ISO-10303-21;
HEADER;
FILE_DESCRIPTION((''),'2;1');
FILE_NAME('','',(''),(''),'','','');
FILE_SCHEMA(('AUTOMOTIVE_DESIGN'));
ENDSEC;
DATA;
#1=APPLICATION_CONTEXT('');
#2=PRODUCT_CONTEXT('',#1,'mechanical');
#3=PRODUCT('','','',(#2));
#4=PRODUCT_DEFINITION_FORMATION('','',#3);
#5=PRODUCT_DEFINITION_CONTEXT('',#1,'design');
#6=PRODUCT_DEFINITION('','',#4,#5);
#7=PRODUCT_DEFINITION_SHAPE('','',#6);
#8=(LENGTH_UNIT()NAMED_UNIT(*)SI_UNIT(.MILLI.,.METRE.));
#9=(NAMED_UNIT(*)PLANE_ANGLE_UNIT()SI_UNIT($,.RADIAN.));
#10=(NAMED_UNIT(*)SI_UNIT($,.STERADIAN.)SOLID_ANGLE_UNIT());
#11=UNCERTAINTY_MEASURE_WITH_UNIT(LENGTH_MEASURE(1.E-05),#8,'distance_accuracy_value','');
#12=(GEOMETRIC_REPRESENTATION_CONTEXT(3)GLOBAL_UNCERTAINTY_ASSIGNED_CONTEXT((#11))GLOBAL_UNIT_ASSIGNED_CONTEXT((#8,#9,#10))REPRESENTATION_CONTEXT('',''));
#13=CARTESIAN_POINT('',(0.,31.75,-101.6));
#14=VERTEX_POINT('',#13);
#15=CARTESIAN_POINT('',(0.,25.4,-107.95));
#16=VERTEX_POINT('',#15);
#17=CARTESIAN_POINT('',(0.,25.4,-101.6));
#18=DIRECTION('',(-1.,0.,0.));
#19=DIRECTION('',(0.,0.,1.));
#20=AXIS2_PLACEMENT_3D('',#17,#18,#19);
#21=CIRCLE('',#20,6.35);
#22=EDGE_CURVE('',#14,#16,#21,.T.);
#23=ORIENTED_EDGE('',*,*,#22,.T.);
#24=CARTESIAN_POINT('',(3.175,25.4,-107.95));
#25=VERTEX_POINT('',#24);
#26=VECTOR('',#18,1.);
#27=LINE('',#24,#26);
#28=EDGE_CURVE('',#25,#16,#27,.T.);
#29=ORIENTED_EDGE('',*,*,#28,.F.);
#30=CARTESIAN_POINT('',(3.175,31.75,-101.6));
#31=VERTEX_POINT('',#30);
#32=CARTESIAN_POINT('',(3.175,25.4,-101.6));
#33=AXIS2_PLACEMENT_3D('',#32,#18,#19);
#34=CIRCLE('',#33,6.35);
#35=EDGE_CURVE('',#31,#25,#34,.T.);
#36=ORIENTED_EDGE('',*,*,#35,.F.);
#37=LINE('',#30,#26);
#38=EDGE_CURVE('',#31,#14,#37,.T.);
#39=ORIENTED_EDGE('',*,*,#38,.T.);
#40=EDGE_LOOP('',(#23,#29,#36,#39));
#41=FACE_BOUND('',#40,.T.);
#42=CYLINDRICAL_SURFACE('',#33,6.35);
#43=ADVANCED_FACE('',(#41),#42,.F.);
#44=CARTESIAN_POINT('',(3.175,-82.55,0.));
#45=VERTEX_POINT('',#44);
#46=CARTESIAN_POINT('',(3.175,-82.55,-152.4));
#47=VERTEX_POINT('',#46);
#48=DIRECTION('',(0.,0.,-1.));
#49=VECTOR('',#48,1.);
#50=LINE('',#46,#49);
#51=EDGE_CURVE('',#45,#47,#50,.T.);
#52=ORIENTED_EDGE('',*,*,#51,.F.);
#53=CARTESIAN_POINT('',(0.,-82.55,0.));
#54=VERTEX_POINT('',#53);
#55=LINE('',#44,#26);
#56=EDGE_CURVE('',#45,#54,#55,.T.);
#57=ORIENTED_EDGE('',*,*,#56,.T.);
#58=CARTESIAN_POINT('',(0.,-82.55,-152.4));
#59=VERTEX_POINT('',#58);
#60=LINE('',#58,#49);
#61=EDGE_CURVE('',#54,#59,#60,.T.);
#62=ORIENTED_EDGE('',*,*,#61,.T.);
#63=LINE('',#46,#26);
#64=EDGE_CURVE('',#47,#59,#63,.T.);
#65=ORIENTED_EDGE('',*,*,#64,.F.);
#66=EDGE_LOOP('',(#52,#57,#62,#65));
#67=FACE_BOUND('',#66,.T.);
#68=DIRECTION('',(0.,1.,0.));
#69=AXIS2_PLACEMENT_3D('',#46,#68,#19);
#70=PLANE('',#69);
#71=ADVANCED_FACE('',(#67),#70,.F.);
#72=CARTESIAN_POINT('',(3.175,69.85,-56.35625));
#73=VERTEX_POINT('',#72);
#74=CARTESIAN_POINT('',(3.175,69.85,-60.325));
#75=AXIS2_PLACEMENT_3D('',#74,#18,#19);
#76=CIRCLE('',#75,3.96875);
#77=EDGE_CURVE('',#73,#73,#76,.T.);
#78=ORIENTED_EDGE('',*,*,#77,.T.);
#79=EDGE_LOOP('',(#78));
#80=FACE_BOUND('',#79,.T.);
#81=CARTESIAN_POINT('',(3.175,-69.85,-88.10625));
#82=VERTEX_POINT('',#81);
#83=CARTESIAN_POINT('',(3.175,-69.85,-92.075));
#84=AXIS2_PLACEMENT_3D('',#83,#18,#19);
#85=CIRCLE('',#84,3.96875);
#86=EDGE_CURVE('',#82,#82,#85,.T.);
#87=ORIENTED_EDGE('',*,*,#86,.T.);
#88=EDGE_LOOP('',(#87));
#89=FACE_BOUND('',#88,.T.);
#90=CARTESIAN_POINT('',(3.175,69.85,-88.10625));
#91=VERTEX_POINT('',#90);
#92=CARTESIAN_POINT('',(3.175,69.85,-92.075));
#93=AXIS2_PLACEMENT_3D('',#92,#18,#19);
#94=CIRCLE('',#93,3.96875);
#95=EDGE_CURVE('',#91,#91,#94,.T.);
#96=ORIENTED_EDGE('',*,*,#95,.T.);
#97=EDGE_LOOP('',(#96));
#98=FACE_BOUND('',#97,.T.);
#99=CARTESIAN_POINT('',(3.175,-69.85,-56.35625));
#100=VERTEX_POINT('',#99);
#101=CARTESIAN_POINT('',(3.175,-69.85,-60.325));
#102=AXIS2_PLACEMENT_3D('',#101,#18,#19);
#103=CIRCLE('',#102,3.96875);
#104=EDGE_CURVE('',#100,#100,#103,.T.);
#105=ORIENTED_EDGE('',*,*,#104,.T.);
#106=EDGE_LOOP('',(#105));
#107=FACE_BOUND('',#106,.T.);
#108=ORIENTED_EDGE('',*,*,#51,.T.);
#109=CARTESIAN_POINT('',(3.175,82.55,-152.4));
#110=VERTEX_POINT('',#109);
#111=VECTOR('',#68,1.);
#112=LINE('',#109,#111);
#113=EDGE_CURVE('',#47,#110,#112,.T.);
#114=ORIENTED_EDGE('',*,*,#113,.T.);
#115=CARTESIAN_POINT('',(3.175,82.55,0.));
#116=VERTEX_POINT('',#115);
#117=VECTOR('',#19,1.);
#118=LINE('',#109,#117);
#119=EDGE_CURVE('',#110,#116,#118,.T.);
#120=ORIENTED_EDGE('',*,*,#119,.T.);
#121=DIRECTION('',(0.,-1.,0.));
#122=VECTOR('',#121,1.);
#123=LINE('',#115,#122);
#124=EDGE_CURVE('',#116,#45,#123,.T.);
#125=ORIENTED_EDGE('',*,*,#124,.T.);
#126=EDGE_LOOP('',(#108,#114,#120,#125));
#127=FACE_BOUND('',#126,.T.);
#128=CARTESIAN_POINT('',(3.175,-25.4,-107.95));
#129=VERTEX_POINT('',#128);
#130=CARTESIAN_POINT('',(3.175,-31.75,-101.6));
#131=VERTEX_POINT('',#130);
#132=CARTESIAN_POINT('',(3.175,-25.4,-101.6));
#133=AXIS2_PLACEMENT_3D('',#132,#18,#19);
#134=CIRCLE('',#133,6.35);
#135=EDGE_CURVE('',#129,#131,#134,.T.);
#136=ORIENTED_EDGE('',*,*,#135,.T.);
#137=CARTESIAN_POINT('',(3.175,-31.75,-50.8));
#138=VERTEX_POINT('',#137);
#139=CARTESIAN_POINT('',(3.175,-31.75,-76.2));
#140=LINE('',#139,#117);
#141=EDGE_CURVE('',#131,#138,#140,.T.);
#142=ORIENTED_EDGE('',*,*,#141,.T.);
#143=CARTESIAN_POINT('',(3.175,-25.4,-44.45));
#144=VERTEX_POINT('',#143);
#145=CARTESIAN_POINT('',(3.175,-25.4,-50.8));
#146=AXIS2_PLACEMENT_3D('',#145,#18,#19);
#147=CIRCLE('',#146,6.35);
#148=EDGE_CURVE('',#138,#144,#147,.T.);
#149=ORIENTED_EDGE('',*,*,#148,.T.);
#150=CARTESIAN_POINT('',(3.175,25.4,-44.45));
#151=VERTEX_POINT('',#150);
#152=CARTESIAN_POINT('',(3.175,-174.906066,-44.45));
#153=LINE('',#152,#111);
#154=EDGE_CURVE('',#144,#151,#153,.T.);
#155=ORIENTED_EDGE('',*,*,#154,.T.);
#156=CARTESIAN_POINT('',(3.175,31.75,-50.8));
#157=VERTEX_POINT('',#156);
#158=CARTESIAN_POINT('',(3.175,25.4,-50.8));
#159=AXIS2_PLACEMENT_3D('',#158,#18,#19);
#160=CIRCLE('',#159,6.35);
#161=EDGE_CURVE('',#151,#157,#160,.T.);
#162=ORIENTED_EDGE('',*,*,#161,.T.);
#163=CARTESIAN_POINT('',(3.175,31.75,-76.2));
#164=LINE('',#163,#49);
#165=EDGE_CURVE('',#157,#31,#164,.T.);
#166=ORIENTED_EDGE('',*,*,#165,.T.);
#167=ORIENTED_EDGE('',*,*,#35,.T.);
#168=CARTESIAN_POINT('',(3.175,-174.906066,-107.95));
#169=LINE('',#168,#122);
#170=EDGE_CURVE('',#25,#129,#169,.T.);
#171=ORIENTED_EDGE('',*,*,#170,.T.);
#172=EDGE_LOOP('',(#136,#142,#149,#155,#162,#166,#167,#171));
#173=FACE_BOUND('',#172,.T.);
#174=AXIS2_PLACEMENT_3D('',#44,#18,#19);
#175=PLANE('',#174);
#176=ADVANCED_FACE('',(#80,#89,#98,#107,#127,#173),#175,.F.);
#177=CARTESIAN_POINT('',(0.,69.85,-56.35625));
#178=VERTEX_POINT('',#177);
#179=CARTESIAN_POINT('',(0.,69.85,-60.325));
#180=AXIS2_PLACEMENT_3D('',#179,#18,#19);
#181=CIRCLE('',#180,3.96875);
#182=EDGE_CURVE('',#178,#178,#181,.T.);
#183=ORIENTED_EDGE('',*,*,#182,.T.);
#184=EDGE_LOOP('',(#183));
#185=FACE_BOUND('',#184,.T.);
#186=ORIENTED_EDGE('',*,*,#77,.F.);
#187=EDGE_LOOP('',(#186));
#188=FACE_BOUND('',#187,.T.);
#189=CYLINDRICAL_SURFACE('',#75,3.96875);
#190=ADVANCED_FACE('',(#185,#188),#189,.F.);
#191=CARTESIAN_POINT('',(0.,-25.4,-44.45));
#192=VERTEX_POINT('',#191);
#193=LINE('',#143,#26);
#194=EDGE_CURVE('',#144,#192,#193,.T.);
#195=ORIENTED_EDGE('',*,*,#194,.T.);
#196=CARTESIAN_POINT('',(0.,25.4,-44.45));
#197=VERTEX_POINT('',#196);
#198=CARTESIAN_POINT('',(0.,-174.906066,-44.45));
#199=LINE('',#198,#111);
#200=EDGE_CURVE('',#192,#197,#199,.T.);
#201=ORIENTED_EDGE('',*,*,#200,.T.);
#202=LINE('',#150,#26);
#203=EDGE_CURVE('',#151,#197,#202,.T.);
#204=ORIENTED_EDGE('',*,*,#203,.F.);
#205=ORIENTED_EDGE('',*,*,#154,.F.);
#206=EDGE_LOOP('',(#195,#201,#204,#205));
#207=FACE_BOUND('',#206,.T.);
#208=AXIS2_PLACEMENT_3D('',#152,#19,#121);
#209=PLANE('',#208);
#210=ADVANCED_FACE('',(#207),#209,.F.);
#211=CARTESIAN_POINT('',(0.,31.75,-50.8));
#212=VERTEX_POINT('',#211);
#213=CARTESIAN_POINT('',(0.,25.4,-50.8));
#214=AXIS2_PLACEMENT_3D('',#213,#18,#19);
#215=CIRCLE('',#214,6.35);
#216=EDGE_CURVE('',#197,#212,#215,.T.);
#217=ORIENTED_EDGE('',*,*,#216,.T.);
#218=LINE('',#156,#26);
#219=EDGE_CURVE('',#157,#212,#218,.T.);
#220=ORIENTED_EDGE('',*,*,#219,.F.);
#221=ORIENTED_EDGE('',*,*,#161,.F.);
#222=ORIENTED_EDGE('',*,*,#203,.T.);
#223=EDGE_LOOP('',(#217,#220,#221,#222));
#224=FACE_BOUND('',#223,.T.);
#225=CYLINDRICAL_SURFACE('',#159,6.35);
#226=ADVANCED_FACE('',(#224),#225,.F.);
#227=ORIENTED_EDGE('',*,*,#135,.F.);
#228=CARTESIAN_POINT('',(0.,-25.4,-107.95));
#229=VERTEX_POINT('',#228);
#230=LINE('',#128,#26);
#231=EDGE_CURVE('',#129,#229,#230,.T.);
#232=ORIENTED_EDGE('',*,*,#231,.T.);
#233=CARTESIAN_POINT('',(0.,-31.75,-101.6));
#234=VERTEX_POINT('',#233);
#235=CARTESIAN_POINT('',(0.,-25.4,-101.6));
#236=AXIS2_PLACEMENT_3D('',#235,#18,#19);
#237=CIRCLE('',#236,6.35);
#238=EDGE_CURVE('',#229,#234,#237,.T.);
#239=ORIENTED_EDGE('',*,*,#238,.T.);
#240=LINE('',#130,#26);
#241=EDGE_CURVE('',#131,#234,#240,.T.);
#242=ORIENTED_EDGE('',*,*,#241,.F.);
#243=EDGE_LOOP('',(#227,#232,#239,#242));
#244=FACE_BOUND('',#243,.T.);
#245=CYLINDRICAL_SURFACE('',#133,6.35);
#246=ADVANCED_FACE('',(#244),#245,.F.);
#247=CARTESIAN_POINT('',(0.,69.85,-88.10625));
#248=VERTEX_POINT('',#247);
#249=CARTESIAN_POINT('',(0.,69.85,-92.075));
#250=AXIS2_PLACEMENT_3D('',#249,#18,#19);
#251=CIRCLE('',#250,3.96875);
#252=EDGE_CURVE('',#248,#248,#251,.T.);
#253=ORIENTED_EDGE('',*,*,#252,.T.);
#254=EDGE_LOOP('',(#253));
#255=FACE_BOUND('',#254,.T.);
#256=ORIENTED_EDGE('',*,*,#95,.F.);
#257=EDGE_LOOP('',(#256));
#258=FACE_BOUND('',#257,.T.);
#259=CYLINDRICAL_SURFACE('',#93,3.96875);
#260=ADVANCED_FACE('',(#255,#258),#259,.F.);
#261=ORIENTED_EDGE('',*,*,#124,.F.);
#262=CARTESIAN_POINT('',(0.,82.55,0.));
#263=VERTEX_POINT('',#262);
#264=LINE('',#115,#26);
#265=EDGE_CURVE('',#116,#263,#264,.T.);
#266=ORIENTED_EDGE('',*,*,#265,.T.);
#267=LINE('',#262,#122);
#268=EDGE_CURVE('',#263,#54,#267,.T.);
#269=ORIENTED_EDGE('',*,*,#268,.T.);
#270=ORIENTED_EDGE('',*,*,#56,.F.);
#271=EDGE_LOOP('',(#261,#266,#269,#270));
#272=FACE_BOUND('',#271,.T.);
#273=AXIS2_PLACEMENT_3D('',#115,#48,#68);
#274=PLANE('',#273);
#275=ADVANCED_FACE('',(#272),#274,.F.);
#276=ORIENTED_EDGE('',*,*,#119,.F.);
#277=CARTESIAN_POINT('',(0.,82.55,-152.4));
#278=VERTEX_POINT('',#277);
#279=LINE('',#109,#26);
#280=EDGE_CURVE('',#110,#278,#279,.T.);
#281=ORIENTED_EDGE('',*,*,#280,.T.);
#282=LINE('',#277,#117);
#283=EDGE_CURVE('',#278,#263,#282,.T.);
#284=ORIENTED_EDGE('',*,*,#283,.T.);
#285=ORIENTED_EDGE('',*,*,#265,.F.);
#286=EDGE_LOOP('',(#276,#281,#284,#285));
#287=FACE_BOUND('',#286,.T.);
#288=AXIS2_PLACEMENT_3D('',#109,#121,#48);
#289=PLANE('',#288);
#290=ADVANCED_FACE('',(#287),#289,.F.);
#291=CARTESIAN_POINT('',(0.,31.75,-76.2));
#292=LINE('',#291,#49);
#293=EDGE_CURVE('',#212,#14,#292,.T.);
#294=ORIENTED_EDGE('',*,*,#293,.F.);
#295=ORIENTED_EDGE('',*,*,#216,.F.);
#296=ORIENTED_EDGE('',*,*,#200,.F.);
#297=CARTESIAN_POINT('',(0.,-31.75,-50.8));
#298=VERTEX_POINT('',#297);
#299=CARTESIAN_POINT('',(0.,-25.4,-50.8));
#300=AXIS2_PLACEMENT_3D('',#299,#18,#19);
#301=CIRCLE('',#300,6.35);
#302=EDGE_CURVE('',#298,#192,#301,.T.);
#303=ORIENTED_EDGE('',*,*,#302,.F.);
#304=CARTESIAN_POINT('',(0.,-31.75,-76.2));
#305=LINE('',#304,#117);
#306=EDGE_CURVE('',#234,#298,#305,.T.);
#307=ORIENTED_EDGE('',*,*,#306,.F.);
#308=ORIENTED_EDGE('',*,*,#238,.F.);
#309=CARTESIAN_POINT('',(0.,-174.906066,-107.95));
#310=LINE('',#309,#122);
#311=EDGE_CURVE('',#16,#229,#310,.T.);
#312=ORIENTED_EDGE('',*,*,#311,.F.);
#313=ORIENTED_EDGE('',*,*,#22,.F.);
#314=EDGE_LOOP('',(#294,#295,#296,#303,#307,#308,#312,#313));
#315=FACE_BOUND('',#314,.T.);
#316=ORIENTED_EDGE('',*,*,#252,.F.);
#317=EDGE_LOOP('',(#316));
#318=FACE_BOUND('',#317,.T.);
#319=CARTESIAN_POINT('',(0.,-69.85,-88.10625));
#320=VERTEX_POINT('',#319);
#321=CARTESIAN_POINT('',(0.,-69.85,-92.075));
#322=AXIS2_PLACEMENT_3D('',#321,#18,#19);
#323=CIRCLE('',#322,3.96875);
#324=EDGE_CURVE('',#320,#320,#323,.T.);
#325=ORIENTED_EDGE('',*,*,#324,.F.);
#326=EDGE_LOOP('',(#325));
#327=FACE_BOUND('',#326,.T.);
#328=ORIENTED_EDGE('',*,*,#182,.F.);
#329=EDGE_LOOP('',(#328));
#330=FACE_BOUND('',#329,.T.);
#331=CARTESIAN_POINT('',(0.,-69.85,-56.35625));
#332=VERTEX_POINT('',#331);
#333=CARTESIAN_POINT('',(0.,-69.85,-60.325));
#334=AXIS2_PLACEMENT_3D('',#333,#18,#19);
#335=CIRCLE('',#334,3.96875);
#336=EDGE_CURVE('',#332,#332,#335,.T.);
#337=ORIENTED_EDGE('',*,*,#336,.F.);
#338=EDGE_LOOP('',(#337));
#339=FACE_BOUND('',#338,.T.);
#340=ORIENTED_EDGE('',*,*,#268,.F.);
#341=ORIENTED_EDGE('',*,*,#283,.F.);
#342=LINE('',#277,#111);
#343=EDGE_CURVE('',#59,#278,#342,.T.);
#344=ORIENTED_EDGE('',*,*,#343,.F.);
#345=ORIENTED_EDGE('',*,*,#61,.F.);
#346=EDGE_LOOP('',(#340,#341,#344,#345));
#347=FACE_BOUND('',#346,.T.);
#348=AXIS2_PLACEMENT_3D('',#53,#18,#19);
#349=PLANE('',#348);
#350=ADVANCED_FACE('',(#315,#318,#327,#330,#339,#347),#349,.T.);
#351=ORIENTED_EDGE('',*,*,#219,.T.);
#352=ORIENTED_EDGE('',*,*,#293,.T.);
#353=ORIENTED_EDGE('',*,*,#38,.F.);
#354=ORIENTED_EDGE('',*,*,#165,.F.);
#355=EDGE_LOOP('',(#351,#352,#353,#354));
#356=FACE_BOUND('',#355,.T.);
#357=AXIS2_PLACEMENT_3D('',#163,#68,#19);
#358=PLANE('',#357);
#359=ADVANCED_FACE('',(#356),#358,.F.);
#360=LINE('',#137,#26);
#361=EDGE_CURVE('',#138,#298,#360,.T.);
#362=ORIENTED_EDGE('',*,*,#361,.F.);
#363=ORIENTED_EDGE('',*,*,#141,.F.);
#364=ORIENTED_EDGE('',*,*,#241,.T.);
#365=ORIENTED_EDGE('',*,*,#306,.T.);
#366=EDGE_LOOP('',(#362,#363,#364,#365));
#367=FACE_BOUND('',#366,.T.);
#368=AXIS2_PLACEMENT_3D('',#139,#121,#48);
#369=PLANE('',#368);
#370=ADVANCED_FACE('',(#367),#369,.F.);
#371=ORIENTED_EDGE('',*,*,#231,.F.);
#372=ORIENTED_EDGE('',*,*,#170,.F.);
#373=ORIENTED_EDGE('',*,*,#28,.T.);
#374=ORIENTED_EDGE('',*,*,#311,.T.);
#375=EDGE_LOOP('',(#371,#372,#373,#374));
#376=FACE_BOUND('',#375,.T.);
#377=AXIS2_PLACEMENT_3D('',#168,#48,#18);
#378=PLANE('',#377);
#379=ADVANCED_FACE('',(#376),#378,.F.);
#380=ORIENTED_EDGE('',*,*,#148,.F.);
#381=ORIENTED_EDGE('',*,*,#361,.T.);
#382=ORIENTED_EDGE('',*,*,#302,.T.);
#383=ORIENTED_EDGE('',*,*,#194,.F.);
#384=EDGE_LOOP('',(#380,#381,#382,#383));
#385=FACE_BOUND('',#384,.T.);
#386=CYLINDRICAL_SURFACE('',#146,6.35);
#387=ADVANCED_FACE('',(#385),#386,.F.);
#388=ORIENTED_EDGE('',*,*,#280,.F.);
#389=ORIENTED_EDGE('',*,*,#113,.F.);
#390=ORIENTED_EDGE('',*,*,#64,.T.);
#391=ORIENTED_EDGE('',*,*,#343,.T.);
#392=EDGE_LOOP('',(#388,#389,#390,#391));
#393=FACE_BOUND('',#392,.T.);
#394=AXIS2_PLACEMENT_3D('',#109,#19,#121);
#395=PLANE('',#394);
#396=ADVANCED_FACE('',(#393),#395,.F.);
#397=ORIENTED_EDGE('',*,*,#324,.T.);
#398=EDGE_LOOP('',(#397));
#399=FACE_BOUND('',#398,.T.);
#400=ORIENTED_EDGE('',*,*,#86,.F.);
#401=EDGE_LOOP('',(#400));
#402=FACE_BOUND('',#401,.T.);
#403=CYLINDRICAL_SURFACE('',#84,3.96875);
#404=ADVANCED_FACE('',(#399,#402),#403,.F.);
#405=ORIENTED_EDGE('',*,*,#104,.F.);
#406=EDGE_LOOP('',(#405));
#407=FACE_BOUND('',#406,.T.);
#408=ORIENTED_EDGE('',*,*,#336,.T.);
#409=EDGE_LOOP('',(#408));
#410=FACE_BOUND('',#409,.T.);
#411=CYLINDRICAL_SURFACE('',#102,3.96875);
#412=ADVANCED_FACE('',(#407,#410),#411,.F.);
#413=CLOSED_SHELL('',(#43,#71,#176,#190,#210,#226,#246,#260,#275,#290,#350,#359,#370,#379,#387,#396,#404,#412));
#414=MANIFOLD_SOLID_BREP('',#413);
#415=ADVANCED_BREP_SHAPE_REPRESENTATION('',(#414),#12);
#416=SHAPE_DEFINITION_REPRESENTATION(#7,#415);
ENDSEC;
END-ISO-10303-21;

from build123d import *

# Parameters (mm, degrees)
SKETCH1_W           = 152.4
SKETCH1_H           = 165.1
BOSS_EXTRUDE1_DEPTH = 3.175
CUT_EXTRUDE1_DEPTH  = 4.175
SKETCH3_R           = 3.96875
CUT_EXTRUDE2_DEPTH  = 4.175


with BuildPart() as part:
    # Sketch1 → Boss-Extrude1 (new body)
    with BuildSketch(Plane(origin=(0, 0, 0), x_dir=(0, 0, -1), z_dir=(1, 0, 0))):
        with Locations((76.2, 0)):
            Rectangle(SKETCH1_W, SKETCH1_H)
    extrude(amount=BOSS_EXTRUDE1_DEPTH)

    # Sketch2 → Cut-Extrude1 (cut, through all)
    with BuildSketch(Plane.ZY):
        with BuildLine():
            Line((-107.95, 25.4), (-107.95, -25.4))
            ThreePointArc((-107.95, -25.4), (-106.090128061, -29.890128061), (-101.6, -31.75))
            Line((-101.6, -31.75), (-50.8, -31.75))
            ThreePointArc((-50.8, -31.75), (-46.309871939, -29.890128061), (-44.45, -25.4))
            Line((-44.45, -25.4), (-44.45, 25.4))
            ThreePointArc((-44.45, 25.4), (-46.309871939, 29.890128061), (-50.8, 31.75))
            Line((-50.8, 31.75), (-101.6, 31.75))
            ThreePointArc((-101.6, 31.75), (-106.090128061, 29.890128061), (-107.95, 25.4))
        make_face()
    extrude(amount=-CUT_EXTRUDE1_DEPTH, mode=Mode.SUBTRACT)

    # Sketch3 → Cut-Extrude2 (cut, through all)
    with BuildSketch(Plane.ZY):
        with Locations((-60.325, 69.85)):
            Circle(SKETCH3_R)
        with Locations((-92.075, 69.85)):
            Circle(SKETCH3_R)
        with Locations((-92.075, -69.85)):
            Circle(SKETCH3_R)
        with Locations((-60.325, -69.85)):
            Circle(SKETCH3_R)
    extrude(amount=-CUT_EXTRUDE2_DEPTH, mode=Mode.SUBTRACT)


solid = part.part
